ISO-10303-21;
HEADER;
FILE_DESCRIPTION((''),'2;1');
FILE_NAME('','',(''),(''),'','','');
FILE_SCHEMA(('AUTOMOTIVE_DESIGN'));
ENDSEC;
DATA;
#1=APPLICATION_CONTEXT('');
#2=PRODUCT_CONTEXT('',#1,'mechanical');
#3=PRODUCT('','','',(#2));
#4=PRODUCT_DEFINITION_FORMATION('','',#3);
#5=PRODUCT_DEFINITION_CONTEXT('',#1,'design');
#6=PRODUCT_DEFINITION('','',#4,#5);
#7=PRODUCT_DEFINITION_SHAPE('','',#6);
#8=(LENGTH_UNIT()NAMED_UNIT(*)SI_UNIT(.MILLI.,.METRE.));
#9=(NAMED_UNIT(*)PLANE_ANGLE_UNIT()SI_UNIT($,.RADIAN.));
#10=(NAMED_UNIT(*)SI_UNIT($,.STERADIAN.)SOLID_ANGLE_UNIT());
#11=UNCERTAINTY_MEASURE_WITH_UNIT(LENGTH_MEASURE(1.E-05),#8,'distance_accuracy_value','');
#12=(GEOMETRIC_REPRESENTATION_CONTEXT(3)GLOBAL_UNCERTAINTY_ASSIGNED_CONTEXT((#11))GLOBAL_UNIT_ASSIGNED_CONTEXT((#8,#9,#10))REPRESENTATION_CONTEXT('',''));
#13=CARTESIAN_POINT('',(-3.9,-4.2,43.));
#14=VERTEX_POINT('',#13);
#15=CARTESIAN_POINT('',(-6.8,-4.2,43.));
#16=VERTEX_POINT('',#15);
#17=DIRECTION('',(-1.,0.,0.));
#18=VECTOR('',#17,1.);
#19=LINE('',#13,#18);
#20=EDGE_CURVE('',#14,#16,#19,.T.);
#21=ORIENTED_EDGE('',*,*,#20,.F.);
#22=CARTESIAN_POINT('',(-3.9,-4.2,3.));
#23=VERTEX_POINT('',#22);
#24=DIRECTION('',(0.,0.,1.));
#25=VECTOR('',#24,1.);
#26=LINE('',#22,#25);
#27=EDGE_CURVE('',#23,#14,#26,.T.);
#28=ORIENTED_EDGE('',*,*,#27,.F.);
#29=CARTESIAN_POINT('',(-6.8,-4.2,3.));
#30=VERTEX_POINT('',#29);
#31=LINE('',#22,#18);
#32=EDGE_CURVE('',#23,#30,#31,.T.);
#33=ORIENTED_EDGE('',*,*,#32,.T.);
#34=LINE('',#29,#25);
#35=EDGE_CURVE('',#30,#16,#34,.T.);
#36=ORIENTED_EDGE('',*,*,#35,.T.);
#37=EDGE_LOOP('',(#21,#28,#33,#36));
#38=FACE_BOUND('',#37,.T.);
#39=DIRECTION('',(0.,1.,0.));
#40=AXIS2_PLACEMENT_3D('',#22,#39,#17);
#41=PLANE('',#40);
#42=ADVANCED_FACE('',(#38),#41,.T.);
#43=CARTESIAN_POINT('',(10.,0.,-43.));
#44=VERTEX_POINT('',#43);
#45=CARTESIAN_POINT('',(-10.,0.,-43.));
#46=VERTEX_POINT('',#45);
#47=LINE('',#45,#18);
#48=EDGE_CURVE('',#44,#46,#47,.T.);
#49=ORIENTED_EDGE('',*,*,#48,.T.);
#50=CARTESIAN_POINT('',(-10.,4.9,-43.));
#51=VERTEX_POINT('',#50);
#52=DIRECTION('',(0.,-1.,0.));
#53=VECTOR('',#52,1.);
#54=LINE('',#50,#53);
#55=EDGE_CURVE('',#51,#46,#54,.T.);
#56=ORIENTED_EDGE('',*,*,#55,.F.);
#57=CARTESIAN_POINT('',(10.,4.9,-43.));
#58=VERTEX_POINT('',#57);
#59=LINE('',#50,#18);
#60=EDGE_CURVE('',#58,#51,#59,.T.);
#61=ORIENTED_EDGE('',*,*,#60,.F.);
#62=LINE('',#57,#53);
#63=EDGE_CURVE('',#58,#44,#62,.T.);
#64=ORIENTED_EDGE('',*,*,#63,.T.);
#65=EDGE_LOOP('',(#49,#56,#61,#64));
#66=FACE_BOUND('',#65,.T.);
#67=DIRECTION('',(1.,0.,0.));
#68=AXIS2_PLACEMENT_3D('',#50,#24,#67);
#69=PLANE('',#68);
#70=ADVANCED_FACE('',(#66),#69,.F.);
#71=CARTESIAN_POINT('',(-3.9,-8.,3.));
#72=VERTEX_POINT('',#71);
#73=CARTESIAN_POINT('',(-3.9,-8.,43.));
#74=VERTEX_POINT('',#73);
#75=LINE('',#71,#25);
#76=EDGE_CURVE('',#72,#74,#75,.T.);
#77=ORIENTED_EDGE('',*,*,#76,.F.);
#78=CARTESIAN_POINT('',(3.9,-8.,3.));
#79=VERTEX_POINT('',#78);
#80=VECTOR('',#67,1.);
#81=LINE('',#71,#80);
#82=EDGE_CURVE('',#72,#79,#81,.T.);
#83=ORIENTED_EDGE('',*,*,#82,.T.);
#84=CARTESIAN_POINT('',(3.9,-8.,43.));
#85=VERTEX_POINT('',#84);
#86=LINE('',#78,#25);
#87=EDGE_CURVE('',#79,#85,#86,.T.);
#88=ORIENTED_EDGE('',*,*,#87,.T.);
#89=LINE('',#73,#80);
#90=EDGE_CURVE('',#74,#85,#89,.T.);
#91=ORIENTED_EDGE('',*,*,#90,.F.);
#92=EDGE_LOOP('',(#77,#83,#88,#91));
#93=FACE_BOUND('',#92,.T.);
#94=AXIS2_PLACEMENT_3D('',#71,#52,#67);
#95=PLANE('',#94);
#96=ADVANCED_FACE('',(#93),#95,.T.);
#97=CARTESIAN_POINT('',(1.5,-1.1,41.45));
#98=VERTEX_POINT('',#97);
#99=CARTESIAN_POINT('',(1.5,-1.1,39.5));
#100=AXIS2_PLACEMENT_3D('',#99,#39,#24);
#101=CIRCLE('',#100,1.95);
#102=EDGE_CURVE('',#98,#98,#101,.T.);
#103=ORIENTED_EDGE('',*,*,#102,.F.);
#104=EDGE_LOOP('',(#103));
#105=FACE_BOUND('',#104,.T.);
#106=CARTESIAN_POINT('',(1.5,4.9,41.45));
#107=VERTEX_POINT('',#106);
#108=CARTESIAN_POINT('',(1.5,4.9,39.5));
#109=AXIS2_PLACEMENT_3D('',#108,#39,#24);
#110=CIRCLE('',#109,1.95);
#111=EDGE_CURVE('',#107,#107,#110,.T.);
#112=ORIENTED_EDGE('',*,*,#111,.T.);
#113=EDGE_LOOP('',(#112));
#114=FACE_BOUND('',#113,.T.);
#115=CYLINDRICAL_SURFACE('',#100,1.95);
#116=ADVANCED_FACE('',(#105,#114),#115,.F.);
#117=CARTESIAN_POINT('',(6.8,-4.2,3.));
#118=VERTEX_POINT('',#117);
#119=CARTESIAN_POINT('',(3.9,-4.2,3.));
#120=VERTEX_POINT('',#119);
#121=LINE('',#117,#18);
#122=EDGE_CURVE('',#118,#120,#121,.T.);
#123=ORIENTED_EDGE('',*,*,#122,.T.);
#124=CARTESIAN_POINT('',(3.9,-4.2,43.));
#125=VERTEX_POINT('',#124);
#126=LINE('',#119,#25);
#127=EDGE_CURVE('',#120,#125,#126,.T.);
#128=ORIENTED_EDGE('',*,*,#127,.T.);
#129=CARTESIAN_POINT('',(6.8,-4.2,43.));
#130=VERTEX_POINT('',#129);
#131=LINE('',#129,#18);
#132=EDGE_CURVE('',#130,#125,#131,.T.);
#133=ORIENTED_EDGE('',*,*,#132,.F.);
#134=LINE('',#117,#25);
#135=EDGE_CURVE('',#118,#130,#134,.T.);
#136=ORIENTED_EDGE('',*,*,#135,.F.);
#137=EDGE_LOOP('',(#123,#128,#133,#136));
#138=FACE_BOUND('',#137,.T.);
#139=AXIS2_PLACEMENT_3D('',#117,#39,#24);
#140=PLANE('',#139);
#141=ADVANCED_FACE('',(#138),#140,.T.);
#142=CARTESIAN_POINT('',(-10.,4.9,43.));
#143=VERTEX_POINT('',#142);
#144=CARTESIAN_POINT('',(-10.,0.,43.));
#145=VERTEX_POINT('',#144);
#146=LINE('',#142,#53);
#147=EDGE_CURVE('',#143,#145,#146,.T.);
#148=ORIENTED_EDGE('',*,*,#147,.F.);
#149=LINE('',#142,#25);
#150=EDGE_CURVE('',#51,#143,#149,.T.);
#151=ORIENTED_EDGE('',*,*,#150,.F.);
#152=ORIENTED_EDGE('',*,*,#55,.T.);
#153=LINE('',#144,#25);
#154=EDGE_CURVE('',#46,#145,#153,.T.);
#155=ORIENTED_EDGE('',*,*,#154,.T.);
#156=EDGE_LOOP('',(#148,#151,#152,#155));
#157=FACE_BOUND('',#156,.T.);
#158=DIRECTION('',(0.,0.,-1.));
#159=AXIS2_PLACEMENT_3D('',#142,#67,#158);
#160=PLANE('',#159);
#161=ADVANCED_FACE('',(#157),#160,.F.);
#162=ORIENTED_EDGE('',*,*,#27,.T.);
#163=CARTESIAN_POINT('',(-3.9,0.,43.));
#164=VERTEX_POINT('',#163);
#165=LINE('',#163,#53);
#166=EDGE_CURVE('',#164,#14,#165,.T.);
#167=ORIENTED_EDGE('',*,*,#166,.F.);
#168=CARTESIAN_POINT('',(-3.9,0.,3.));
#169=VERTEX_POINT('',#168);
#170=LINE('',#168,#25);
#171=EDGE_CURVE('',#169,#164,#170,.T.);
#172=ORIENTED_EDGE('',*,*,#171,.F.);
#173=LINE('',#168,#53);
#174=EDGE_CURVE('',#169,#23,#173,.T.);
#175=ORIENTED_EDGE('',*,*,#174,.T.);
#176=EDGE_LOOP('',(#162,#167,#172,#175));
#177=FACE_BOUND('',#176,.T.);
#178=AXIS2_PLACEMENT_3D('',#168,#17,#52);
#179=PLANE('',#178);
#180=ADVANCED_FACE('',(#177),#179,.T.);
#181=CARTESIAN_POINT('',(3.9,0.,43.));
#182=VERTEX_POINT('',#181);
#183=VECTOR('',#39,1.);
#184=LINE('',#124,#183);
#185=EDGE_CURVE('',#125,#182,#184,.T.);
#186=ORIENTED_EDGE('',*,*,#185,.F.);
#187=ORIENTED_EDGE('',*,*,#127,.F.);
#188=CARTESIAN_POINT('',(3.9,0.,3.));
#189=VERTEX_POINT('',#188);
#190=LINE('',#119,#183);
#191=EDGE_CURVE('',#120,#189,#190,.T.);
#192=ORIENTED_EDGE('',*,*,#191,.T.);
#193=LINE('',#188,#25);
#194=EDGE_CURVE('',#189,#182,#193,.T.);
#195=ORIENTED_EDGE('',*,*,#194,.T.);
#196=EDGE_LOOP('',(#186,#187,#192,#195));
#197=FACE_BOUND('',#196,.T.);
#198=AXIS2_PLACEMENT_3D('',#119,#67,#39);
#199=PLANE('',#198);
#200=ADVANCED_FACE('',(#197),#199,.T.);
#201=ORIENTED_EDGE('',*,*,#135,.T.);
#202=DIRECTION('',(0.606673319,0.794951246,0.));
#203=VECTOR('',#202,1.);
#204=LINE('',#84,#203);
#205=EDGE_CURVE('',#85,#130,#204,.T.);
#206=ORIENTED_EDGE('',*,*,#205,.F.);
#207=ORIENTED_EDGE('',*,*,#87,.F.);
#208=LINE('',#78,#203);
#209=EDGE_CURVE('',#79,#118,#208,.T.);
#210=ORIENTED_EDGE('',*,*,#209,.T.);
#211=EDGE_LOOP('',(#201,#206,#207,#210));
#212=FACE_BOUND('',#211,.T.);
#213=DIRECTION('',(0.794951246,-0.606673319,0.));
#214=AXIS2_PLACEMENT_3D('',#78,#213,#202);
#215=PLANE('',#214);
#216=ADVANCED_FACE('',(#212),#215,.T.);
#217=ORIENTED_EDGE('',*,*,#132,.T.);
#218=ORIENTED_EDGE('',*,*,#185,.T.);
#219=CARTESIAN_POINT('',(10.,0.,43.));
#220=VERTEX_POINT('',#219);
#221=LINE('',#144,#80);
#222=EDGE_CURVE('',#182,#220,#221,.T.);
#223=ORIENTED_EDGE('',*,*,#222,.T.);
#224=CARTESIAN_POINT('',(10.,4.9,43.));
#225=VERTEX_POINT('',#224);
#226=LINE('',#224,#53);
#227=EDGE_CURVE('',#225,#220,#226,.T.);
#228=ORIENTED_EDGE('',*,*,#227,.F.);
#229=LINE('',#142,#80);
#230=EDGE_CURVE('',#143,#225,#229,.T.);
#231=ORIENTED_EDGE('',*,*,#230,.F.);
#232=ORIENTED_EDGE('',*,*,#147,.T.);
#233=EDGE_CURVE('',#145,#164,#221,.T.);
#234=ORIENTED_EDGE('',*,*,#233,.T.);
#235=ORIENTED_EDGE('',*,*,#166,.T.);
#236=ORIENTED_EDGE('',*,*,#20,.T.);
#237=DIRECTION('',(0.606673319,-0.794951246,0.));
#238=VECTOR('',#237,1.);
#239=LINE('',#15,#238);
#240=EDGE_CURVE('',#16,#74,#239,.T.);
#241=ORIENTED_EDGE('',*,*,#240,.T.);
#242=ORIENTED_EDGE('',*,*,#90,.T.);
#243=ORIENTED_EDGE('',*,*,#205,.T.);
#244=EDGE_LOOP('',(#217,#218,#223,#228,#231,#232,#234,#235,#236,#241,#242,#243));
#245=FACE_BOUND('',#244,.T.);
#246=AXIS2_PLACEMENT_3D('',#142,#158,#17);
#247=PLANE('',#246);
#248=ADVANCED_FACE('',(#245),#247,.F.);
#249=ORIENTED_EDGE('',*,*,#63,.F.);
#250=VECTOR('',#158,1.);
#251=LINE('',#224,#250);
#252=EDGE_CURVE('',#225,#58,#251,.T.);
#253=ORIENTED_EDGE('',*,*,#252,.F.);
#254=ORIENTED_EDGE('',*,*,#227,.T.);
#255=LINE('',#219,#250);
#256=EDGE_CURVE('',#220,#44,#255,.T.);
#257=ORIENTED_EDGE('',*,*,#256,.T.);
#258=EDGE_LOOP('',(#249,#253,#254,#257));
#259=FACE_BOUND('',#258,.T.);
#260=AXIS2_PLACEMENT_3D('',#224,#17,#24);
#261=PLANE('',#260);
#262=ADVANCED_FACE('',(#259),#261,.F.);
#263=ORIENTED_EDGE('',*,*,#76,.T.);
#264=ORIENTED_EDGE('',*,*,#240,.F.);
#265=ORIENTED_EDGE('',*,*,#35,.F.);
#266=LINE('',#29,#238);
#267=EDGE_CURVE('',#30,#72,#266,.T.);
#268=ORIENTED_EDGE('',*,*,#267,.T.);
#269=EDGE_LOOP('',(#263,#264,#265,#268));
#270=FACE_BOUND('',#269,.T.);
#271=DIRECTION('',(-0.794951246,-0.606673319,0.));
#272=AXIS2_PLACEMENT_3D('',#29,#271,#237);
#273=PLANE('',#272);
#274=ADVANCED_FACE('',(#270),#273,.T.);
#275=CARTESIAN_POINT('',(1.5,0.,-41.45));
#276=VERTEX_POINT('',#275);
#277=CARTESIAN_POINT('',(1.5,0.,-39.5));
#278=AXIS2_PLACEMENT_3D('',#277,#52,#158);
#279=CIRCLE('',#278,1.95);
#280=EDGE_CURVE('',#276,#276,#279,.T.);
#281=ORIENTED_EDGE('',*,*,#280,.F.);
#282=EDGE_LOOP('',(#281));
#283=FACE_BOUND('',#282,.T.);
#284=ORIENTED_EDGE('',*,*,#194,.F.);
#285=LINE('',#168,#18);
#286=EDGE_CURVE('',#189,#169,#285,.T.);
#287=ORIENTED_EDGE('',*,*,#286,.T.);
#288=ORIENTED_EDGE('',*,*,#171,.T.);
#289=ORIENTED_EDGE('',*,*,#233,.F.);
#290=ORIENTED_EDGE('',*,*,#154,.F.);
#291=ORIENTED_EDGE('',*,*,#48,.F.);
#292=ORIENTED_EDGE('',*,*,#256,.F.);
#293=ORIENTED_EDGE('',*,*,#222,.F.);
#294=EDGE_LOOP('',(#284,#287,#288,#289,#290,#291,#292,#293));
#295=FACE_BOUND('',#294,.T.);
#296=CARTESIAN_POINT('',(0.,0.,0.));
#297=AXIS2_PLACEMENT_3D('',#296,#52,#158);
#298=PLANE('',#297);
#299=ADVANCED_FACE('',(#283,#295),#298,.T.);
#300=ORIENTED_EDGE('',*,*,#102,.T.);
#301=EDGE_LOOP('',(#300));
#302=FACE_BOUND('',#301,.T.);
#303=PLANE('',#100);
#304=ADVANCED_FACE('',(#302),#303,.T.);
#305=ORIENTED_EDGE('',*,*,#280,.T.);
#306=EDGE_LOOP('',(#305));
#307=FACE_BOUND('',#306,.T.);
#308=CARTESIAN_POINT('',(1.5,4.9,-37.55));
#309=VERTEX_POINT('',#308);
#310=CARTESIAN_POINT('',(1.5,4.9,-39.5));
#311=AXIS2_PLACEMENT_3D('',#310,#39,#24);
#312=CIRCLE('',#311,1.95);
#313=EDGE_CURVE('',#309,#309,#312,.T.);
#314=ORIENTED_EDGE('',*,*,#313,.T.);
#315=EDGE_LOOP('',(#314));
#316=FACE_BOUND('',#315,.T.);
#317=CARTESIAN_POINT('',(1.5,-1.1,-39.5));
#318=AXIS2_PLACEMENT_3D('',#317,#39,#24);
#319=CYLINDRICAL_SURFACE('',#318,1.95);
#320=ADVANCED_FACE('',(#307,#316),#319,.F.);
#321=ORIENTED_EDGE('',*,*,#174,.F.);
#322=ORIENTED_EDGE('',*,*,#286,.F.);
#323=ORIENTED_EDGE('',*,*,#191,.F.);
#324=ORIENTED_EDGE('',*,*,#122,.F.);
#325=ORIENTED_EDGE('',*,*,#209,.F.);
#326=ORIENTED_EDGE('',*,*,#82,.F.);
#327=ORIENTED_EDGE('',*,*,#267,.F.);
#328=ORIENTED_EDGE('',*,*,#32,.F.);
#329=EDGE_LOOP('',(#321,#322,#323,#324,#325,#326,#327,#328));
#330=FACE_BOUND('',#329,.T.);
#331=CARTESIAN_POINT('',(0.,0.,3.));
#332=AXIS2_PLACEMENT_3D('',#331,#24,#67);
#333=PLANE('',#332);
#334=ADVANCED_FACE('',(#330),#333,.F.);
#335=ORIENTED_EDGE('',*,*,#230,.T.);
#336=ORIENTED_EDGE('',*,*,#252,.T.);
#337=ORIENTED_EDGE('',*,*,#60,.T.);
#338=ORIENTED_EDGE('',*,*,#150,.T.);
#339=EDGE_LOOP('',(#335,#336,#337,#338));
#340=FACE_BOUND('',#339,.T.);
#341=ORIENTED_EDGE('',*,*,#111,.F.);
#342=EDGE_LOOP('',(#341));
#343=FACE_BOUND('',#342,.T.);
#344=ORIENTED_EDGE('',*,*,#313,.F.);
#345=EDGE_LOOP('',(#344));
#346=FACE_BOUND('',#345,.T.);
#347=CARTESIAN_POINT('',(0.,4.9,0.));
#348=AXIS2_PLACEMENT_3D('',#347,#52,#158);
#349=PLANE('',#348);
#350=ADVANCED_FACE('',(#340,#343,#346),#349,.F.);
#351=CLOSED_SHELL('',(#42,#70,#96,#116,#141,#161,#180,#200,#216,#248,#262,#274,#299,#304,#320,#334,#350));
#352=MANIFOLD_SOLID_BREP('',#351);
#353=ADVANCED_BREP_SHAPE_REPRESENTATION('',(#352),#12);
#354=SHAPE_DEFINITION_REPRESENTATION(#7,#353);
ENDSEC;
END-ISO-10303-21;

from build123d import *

# Parameters (mm, degrees)
SKETCH1_W           = 20
SKETCH1_H           = 86
BOSS_EXTRUDE1_DEPTH = 4.9
BOSS_EXTRUDE4_DEPTH = 40
SKETCH2_R           = 1.95
CUT_EXTRUDE1_DEPTH  = 6


with BuildPart() as part:
    # Sketch1 → Boss-Extrude1 (new body)
    with BuildSketch(Plane(origin=(0, 0, 0), x_dir=(1, 0, 0), z_dir=(0, 1, 0))):
        Rectangle(SKETCH1_W, SKETCH1_H)
    extrude(amount=BOSS_EXTRUDE1_DEPTH)

    # Sketch4 → Boss-Extrude4 (add)
    with BuildSketch(Plane.XY.offset(43)):
        Polygon((-3.9, 0), (-3.9, -4.2), (-6.8, -4.2), (-3.9, -8), (3.9, -8), (6.8, -4.2), (3.9, -4.2), (3.9, 0), align=None)
    extrude(amount=-BOSS_EXTRUDE4_DEPTH)

    # Sketch2 → Cut-Extrude1 (cut)
    with BuildSketch(Plane(origin=(0, 4.9, 0), x_dir=(1, 0, 0), z_dir=(0, 1, 0))):
        with Locations((1.5, -39.5)):
            Circle(SKETCH2_R)
        with Locations((1.5, 39.5)):
            Circle(SKETCH2_R)
    extrude(amount=-CUT_EXTRUDE1_DEPTH, mode=Mode.SUBTRACT)


solid = part.part
